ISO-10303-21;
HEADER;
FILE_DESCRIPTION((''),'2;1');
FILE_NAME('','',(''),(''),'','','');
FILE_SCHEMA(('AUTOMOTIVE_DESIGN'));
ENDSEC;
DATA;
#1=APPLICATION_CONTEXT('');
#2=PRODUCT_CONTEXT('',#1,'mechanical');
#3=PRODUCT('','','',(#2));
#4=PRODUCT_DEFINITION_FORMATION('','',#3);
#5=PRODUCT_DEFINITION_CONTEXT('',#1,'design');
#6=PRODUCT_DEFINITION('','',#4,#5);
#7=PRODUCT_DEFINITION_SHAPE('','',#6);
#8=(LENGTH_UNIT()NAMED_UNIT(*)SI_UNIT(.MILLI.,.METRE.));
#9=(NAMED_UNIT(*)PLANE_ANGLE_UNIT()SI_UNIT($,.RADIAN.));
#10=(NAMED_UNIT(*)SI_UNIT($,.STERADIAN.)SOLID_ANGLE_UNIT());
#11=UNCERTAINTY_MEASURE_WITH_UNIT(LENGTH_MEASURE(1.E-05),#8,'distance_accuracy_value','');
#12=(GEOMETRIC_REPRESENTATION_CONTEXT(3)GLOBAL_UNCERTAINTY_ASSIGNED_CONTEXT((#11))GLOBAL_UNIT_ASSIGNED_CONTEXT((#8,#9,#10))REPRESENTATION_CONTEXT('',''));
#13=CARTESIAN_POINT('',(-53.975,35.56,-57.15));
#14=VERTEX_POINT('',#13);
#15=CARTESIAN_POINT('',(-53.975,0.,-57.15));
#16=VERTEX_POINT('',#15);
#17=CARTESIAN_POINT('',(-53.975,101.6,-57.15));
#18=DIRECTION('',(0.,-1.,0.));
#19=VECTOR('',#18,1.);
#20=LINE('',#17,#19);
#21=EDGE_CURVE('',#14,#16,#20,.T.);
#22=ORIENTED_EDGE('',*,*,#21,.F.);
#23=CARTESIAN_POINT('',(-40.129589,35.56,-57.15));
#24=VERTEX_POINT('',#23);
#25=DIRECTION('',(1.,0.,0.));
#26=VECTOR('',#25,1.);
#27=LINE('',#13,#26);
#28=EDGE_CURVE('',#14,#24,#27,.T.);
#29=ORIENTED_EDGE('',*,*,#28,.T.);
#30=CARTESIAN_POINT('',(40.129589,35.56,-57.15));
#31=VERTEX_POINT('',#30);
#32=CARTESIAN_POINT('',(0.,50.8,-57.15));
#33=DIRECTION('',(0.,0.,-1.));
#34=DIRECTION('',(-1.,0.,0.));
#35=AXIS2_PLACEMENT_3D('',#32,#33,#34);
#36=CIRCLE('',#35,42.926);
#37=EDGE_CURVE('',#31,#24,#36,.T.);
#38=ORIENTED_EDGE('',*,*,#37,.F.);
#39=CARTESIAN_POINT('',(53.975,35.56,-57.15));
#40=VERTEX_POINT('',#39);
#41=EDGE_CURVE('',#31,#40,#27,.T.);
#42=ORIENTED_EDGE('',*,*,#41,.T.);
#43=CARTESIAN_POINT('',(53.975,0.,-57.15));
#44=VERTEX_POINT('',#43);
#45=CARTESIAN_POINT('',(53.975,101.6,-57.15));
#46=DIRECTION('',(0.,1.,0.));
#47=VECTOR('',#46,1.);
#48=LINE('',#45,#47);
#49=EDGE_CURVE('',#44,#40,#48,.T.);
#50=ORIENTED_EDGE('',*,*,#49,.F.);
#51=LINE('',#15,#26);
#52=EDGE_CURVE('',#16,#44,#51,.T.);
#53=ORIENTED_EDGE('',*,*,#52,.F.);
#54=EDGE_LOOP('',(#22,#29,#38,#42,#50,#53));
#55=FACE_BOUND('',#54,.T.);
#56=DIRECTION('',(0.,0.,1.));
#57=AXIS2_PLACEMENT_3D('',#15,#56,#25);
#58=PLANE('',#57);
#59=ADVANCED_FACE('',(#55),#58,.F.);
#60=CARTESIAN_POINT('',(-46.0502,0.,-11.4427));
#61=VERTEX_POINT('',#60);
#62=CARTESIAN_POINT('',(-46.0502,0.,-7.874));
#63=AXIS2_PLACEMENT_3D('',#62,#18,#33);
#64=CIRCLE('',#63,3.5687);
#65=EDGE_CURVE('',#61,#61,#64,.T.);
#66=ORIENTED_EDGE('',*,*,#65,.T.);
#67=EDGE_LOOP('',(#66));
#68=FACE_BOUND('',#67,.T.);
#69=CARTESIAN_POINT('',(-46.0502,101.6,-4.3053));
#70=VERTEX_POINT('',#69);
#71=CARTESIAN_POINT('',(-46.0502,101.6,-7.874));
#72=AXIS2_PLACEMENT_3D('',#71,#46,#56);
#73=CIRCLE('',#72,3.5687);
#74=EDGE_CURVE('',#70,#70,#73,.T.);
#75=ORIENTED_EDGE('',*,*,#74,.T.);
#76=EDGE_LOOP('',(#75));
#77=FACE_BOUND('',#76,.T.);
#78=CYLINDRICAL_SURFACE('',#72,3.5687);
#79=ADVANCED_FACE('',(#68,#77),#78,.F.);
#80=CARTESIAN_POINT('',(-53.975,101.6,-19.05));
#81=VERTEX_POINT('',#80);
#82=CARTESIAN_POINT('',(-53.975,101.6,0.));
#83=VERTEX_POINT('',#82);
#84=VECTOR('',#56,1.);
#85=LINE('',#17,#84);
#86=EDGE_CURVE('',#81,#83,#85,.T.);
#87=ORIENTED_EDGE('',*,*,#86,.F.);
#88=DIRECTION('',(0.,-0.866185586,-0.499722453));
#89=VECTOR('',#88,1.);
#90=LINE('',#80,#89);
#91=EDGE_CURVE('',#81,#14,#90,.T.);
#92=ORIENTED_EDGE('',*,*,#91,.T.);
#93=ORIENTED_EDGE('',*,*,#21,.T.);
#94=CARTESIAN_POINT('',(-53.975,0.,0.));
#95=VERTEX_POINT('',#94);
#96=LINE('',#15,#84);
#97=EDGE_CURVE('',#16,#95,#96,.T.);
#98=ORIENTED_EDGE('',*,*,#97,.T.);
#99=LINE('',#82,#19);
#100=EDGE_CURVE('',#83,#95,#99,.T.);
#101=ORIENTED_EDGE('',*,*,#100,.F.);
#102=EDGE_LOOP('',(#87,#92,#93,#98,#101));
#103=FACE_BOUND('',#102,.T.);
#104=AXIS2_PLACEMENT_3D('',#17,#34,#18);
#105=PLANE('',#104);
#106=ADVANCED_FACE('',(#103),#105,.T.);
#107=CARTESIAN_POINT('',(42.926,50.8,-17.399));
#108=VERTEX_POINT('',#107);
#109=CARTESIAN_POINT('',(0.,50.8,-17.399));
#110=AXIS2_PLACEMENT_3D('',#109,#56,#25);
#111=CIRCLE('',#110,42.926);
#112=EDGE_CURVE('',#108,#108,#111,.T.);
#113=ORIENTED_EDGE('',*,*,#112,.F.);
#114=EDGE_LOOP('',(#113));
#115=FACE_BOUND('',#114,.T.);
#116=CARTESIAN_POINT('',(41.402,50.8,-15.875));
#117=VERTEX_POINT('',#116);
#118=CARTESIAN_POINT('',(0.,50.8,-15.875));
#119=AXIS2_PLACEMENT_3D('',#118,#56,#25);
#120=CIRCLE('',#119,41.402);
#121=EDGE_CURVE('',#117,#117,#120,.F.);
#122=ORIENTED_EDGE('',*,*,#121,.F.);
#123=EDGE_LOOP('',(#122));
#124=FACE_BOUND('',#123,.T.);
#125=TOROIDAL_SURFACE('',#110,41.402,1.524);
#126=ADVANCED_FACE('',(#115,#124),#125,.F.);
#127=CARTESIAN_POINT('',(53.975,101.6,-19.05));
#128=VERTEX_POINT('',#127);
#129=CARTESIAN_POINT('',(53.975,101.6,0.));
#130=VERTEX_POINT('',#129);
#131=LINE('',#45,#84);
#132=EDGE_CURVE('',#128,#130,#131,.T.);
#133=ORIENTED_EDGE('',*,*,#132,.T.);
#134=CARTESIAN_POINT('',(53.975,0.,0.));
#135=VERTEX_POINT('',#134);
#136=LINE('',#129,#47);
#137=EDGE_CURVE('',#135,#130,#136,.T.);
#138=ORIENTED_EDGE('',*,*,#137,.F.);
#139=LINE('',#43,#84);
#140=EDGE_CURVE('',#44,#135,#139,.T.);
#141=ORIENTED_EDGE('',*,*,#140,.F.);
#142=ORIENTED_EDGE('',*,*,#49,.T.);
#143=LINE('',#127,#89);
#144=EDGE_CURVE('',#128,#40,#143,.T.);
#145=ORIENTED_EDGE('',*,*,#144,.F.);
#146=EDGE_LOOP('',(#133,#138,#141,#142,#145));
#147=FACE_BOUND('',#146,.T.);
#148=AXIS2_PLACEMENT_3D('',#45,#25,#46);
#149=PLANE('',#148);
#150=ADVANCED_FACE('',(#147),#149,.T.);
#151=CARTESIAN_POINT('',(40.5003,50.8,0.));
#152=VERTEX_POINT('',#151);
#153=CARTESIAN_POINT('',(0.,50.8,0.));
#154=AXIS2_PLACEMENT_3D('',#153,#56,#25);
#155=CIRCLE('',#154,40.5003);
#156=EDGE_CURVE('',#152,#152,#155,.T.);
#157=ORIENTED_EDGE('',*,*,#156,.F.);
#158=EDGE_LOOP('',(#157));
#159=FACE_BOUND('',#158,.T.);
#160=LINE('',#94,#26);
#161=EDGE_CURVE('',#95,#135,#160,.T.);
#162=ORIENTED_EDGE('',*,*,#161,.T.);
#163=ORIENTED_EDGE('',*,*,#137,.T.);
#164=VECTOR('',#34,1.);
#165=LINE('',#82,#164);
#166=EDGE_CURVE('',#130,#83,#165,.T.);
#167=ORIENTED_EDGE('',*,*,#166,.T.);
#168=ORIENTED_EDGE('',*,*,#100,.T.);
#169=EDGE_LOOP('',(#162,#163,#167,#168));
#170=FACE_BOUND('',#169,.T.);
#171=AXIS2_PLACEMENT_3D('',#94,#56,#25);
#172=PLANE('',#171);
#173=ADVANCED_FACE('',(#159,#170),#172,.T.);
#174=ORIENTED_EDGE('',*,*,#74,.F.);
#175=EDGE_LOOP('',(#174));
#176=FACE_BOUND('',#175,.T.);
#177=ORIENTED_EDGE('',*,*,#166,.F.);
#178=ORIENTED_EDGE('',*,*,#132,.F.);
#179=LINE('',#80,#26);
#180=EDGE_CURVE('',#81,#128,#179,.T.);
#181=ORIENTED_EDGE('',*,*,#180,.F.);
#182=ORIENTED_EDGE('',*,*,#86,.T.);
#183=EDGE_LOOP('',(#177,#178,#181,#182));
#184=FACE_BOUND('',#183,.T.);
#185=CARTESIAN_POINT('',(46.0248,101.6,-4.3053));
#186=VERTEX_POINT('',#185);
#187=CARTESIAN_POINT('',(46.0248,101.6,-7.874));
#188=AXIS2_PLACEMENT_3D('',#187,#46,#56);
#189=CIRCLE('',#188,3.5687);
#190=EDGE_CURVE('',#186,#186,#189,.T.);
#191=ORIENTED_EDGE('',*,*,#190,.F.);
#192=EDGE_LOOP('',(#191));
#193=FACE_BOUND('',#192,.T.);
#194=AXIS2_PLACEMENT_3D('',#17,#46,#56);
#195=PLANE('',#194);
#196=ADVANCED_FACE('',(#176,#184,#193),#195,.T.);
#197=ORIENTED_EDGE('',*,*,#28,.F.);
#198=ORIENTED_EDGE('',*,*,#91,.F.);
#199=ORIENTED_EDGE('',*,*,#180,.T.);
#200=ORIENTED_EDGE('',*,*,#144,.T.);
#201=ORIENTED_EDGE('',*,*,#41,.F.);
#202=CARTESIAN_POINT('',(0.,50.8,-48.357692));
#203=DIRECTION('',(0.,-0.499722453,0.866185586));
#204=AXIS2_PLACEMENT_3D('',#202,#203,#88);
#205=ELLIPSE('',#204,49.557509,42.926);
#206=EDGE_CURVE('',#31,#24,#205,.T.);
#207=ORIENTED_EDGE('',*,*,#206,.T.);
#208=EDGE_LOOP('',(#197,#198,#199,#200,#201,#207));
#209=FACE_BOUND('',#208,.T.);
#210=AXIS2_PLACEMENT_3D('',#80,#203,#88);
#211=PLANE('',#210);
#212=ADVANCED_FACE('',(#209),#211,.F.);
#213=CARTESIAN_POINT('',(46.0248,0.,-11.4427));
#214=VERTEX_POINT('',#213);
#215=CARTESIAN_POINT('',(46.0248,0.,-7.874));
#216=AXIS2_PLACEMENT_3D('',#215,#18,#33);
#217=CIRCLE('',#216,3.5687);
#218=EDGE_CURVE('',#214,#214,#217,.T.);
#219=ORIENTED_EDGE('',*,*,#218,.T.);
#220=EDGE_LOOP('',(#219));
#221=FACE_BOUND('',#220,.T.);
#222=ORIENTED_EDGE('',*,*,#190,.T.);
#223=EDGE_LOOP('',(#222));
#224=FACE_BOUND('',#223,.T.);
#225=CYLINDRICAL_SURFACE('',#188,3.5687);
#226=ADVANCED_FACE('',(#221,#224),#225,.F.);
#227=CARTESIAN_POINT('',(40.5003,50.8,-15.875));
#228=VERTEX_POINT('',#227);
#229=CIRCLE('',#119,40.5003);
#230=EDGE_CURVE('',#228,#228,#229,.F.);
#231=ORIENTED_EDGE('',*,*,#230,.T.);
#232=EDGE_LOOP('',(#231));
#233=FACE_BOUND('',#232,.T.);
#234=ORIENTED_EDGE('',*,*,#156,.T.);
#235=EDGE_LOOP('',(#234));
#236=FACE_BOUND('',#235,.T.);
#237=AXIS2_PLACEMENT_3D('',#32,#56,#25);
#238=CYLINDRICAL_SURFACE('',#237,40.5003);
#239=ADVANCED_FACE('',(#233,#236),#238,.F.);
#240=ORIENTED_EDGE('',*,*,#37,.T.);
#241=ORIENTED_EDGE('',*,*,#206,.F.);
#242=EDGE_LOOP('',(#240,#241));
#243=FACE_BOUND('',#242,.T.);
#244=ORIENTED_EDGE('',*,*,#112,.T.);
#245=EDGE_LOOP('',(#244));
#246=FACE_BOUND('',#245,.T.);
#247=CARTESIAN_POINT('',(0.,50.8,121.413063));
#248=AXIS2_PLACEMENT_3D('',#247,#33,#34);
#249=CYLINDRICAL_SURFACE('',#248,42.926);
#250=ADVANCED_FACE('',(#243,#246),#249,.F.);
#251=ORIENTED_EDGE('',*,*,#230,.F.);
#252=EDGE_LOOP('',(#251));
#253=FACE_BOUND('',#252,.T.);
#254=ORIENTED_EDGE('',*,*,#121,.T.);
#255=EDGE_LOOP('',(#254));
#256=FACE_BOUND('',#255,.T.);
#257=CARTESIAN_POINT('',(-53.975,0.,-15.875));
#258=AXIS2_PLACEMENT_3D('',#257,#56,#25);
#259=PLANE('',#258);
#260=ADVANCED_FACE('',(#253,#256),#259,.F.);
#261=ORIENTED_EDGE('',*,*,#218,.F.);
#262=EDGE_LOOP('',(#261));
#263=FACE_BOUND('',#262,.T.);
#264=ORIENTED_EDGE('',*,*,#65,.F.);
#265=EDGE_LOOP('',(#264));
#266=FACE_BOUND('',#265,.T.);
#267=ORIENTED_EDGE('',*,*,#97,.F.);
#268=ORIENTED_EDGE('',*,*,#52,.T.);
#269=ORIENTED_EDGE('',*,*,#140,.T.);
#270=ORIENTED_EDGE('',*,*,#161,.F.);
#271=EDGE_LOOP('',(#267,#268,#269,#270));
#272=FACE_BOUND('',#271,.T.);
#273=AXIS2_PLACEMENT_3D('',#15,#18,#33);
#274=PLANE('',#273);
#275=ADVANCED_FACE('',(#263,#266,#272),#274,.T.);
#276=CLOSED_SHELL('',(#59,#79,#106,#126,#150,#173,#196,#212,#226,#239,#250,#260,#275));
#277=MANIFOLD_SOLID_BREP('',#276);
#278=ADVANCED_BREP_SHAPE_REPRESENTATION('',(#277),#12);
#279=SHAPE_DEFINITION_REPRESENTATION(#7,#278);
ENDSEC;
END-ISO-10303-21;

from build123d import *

# Parameters (mm, degrees)
SKETCH1_W          = 107.95
SKETCH1_H          = 101.6
SKETCH1_R          = 40.5003
EXTRUDE1_DEPTH     = 57.15
CUT_EXTRUDE1_DEPTH = 108.95
SKETCH3_R          = 42.926
CUT_EXTRUDE2_DEPTH = 41.275
FILLET1_R          = 1.524
HOLE1_D            = 7.1374
HOLE1_DEPTH        = 101.6


with BuildPart() as part:
    # Sketch1 → Extrude1 (new body)
    with BuildSketch(Plane.XY):
        with Locations((0, 50.8)):
            Rectangle(SKETCH1_W, SKETCH1_H)
        with Locations((0, 50.8)):
            Circle(SKETCH1_R, mode=Mode.SUBTRACT)
    extrude(amount=-EXTRUDE1_DEPTH)

    # Sketch2 → Cut-Extrude1 (cut, through all)
    with BuildSketch(Plane(origin=(53.975, 0, 0), x_dir=(0, 0, -1), z_dir=(1, 0, 0))):
        Polygon((19.05, 101.6), (57.15, 35.56), (57.15, 101.6), align=None)
    extrude(amount=-CUT_EXTRUDE1_DEPTH, mode=Mode.SUBTRACT)

    # Sketch3 → Cut-Extrude2 (cut)
    with BuildSketch(Plane(origin=(0, 0, -57.15), x_dir=(-1, 0, 0), z_dir=(0, 0, -1))):
        with Locations(Location((0, 50.8, 0), (0, 0, 339.204742364))):  # turned: the seam where the file's is
            Circle(SKETCH3_R)
    extrude(amount=-CUT_EXTRUDE2_DEPTH, mode=Mode.SUBTRACT)

    # Fillet1
    fillet1_edges = [part.edges().sort_by_distance(p)[0] for p in [
        (40.129588535, 66.04, -15.875),
    ]]
    fillet(fillet1_edges, radius=FILLET1_R)

    # Hole1
    with Locations(Plane(origin=(0, 101.6, 0), x_dir=(-1, 0, 0), z_dir=(0, 1, 0))):
        with Locations((46.0502, -7.874), (-46.0248, -7.874)):
            Hole(HOLE1_D / 2, depth=HOLE1_DEPTH)


solid = part.part
